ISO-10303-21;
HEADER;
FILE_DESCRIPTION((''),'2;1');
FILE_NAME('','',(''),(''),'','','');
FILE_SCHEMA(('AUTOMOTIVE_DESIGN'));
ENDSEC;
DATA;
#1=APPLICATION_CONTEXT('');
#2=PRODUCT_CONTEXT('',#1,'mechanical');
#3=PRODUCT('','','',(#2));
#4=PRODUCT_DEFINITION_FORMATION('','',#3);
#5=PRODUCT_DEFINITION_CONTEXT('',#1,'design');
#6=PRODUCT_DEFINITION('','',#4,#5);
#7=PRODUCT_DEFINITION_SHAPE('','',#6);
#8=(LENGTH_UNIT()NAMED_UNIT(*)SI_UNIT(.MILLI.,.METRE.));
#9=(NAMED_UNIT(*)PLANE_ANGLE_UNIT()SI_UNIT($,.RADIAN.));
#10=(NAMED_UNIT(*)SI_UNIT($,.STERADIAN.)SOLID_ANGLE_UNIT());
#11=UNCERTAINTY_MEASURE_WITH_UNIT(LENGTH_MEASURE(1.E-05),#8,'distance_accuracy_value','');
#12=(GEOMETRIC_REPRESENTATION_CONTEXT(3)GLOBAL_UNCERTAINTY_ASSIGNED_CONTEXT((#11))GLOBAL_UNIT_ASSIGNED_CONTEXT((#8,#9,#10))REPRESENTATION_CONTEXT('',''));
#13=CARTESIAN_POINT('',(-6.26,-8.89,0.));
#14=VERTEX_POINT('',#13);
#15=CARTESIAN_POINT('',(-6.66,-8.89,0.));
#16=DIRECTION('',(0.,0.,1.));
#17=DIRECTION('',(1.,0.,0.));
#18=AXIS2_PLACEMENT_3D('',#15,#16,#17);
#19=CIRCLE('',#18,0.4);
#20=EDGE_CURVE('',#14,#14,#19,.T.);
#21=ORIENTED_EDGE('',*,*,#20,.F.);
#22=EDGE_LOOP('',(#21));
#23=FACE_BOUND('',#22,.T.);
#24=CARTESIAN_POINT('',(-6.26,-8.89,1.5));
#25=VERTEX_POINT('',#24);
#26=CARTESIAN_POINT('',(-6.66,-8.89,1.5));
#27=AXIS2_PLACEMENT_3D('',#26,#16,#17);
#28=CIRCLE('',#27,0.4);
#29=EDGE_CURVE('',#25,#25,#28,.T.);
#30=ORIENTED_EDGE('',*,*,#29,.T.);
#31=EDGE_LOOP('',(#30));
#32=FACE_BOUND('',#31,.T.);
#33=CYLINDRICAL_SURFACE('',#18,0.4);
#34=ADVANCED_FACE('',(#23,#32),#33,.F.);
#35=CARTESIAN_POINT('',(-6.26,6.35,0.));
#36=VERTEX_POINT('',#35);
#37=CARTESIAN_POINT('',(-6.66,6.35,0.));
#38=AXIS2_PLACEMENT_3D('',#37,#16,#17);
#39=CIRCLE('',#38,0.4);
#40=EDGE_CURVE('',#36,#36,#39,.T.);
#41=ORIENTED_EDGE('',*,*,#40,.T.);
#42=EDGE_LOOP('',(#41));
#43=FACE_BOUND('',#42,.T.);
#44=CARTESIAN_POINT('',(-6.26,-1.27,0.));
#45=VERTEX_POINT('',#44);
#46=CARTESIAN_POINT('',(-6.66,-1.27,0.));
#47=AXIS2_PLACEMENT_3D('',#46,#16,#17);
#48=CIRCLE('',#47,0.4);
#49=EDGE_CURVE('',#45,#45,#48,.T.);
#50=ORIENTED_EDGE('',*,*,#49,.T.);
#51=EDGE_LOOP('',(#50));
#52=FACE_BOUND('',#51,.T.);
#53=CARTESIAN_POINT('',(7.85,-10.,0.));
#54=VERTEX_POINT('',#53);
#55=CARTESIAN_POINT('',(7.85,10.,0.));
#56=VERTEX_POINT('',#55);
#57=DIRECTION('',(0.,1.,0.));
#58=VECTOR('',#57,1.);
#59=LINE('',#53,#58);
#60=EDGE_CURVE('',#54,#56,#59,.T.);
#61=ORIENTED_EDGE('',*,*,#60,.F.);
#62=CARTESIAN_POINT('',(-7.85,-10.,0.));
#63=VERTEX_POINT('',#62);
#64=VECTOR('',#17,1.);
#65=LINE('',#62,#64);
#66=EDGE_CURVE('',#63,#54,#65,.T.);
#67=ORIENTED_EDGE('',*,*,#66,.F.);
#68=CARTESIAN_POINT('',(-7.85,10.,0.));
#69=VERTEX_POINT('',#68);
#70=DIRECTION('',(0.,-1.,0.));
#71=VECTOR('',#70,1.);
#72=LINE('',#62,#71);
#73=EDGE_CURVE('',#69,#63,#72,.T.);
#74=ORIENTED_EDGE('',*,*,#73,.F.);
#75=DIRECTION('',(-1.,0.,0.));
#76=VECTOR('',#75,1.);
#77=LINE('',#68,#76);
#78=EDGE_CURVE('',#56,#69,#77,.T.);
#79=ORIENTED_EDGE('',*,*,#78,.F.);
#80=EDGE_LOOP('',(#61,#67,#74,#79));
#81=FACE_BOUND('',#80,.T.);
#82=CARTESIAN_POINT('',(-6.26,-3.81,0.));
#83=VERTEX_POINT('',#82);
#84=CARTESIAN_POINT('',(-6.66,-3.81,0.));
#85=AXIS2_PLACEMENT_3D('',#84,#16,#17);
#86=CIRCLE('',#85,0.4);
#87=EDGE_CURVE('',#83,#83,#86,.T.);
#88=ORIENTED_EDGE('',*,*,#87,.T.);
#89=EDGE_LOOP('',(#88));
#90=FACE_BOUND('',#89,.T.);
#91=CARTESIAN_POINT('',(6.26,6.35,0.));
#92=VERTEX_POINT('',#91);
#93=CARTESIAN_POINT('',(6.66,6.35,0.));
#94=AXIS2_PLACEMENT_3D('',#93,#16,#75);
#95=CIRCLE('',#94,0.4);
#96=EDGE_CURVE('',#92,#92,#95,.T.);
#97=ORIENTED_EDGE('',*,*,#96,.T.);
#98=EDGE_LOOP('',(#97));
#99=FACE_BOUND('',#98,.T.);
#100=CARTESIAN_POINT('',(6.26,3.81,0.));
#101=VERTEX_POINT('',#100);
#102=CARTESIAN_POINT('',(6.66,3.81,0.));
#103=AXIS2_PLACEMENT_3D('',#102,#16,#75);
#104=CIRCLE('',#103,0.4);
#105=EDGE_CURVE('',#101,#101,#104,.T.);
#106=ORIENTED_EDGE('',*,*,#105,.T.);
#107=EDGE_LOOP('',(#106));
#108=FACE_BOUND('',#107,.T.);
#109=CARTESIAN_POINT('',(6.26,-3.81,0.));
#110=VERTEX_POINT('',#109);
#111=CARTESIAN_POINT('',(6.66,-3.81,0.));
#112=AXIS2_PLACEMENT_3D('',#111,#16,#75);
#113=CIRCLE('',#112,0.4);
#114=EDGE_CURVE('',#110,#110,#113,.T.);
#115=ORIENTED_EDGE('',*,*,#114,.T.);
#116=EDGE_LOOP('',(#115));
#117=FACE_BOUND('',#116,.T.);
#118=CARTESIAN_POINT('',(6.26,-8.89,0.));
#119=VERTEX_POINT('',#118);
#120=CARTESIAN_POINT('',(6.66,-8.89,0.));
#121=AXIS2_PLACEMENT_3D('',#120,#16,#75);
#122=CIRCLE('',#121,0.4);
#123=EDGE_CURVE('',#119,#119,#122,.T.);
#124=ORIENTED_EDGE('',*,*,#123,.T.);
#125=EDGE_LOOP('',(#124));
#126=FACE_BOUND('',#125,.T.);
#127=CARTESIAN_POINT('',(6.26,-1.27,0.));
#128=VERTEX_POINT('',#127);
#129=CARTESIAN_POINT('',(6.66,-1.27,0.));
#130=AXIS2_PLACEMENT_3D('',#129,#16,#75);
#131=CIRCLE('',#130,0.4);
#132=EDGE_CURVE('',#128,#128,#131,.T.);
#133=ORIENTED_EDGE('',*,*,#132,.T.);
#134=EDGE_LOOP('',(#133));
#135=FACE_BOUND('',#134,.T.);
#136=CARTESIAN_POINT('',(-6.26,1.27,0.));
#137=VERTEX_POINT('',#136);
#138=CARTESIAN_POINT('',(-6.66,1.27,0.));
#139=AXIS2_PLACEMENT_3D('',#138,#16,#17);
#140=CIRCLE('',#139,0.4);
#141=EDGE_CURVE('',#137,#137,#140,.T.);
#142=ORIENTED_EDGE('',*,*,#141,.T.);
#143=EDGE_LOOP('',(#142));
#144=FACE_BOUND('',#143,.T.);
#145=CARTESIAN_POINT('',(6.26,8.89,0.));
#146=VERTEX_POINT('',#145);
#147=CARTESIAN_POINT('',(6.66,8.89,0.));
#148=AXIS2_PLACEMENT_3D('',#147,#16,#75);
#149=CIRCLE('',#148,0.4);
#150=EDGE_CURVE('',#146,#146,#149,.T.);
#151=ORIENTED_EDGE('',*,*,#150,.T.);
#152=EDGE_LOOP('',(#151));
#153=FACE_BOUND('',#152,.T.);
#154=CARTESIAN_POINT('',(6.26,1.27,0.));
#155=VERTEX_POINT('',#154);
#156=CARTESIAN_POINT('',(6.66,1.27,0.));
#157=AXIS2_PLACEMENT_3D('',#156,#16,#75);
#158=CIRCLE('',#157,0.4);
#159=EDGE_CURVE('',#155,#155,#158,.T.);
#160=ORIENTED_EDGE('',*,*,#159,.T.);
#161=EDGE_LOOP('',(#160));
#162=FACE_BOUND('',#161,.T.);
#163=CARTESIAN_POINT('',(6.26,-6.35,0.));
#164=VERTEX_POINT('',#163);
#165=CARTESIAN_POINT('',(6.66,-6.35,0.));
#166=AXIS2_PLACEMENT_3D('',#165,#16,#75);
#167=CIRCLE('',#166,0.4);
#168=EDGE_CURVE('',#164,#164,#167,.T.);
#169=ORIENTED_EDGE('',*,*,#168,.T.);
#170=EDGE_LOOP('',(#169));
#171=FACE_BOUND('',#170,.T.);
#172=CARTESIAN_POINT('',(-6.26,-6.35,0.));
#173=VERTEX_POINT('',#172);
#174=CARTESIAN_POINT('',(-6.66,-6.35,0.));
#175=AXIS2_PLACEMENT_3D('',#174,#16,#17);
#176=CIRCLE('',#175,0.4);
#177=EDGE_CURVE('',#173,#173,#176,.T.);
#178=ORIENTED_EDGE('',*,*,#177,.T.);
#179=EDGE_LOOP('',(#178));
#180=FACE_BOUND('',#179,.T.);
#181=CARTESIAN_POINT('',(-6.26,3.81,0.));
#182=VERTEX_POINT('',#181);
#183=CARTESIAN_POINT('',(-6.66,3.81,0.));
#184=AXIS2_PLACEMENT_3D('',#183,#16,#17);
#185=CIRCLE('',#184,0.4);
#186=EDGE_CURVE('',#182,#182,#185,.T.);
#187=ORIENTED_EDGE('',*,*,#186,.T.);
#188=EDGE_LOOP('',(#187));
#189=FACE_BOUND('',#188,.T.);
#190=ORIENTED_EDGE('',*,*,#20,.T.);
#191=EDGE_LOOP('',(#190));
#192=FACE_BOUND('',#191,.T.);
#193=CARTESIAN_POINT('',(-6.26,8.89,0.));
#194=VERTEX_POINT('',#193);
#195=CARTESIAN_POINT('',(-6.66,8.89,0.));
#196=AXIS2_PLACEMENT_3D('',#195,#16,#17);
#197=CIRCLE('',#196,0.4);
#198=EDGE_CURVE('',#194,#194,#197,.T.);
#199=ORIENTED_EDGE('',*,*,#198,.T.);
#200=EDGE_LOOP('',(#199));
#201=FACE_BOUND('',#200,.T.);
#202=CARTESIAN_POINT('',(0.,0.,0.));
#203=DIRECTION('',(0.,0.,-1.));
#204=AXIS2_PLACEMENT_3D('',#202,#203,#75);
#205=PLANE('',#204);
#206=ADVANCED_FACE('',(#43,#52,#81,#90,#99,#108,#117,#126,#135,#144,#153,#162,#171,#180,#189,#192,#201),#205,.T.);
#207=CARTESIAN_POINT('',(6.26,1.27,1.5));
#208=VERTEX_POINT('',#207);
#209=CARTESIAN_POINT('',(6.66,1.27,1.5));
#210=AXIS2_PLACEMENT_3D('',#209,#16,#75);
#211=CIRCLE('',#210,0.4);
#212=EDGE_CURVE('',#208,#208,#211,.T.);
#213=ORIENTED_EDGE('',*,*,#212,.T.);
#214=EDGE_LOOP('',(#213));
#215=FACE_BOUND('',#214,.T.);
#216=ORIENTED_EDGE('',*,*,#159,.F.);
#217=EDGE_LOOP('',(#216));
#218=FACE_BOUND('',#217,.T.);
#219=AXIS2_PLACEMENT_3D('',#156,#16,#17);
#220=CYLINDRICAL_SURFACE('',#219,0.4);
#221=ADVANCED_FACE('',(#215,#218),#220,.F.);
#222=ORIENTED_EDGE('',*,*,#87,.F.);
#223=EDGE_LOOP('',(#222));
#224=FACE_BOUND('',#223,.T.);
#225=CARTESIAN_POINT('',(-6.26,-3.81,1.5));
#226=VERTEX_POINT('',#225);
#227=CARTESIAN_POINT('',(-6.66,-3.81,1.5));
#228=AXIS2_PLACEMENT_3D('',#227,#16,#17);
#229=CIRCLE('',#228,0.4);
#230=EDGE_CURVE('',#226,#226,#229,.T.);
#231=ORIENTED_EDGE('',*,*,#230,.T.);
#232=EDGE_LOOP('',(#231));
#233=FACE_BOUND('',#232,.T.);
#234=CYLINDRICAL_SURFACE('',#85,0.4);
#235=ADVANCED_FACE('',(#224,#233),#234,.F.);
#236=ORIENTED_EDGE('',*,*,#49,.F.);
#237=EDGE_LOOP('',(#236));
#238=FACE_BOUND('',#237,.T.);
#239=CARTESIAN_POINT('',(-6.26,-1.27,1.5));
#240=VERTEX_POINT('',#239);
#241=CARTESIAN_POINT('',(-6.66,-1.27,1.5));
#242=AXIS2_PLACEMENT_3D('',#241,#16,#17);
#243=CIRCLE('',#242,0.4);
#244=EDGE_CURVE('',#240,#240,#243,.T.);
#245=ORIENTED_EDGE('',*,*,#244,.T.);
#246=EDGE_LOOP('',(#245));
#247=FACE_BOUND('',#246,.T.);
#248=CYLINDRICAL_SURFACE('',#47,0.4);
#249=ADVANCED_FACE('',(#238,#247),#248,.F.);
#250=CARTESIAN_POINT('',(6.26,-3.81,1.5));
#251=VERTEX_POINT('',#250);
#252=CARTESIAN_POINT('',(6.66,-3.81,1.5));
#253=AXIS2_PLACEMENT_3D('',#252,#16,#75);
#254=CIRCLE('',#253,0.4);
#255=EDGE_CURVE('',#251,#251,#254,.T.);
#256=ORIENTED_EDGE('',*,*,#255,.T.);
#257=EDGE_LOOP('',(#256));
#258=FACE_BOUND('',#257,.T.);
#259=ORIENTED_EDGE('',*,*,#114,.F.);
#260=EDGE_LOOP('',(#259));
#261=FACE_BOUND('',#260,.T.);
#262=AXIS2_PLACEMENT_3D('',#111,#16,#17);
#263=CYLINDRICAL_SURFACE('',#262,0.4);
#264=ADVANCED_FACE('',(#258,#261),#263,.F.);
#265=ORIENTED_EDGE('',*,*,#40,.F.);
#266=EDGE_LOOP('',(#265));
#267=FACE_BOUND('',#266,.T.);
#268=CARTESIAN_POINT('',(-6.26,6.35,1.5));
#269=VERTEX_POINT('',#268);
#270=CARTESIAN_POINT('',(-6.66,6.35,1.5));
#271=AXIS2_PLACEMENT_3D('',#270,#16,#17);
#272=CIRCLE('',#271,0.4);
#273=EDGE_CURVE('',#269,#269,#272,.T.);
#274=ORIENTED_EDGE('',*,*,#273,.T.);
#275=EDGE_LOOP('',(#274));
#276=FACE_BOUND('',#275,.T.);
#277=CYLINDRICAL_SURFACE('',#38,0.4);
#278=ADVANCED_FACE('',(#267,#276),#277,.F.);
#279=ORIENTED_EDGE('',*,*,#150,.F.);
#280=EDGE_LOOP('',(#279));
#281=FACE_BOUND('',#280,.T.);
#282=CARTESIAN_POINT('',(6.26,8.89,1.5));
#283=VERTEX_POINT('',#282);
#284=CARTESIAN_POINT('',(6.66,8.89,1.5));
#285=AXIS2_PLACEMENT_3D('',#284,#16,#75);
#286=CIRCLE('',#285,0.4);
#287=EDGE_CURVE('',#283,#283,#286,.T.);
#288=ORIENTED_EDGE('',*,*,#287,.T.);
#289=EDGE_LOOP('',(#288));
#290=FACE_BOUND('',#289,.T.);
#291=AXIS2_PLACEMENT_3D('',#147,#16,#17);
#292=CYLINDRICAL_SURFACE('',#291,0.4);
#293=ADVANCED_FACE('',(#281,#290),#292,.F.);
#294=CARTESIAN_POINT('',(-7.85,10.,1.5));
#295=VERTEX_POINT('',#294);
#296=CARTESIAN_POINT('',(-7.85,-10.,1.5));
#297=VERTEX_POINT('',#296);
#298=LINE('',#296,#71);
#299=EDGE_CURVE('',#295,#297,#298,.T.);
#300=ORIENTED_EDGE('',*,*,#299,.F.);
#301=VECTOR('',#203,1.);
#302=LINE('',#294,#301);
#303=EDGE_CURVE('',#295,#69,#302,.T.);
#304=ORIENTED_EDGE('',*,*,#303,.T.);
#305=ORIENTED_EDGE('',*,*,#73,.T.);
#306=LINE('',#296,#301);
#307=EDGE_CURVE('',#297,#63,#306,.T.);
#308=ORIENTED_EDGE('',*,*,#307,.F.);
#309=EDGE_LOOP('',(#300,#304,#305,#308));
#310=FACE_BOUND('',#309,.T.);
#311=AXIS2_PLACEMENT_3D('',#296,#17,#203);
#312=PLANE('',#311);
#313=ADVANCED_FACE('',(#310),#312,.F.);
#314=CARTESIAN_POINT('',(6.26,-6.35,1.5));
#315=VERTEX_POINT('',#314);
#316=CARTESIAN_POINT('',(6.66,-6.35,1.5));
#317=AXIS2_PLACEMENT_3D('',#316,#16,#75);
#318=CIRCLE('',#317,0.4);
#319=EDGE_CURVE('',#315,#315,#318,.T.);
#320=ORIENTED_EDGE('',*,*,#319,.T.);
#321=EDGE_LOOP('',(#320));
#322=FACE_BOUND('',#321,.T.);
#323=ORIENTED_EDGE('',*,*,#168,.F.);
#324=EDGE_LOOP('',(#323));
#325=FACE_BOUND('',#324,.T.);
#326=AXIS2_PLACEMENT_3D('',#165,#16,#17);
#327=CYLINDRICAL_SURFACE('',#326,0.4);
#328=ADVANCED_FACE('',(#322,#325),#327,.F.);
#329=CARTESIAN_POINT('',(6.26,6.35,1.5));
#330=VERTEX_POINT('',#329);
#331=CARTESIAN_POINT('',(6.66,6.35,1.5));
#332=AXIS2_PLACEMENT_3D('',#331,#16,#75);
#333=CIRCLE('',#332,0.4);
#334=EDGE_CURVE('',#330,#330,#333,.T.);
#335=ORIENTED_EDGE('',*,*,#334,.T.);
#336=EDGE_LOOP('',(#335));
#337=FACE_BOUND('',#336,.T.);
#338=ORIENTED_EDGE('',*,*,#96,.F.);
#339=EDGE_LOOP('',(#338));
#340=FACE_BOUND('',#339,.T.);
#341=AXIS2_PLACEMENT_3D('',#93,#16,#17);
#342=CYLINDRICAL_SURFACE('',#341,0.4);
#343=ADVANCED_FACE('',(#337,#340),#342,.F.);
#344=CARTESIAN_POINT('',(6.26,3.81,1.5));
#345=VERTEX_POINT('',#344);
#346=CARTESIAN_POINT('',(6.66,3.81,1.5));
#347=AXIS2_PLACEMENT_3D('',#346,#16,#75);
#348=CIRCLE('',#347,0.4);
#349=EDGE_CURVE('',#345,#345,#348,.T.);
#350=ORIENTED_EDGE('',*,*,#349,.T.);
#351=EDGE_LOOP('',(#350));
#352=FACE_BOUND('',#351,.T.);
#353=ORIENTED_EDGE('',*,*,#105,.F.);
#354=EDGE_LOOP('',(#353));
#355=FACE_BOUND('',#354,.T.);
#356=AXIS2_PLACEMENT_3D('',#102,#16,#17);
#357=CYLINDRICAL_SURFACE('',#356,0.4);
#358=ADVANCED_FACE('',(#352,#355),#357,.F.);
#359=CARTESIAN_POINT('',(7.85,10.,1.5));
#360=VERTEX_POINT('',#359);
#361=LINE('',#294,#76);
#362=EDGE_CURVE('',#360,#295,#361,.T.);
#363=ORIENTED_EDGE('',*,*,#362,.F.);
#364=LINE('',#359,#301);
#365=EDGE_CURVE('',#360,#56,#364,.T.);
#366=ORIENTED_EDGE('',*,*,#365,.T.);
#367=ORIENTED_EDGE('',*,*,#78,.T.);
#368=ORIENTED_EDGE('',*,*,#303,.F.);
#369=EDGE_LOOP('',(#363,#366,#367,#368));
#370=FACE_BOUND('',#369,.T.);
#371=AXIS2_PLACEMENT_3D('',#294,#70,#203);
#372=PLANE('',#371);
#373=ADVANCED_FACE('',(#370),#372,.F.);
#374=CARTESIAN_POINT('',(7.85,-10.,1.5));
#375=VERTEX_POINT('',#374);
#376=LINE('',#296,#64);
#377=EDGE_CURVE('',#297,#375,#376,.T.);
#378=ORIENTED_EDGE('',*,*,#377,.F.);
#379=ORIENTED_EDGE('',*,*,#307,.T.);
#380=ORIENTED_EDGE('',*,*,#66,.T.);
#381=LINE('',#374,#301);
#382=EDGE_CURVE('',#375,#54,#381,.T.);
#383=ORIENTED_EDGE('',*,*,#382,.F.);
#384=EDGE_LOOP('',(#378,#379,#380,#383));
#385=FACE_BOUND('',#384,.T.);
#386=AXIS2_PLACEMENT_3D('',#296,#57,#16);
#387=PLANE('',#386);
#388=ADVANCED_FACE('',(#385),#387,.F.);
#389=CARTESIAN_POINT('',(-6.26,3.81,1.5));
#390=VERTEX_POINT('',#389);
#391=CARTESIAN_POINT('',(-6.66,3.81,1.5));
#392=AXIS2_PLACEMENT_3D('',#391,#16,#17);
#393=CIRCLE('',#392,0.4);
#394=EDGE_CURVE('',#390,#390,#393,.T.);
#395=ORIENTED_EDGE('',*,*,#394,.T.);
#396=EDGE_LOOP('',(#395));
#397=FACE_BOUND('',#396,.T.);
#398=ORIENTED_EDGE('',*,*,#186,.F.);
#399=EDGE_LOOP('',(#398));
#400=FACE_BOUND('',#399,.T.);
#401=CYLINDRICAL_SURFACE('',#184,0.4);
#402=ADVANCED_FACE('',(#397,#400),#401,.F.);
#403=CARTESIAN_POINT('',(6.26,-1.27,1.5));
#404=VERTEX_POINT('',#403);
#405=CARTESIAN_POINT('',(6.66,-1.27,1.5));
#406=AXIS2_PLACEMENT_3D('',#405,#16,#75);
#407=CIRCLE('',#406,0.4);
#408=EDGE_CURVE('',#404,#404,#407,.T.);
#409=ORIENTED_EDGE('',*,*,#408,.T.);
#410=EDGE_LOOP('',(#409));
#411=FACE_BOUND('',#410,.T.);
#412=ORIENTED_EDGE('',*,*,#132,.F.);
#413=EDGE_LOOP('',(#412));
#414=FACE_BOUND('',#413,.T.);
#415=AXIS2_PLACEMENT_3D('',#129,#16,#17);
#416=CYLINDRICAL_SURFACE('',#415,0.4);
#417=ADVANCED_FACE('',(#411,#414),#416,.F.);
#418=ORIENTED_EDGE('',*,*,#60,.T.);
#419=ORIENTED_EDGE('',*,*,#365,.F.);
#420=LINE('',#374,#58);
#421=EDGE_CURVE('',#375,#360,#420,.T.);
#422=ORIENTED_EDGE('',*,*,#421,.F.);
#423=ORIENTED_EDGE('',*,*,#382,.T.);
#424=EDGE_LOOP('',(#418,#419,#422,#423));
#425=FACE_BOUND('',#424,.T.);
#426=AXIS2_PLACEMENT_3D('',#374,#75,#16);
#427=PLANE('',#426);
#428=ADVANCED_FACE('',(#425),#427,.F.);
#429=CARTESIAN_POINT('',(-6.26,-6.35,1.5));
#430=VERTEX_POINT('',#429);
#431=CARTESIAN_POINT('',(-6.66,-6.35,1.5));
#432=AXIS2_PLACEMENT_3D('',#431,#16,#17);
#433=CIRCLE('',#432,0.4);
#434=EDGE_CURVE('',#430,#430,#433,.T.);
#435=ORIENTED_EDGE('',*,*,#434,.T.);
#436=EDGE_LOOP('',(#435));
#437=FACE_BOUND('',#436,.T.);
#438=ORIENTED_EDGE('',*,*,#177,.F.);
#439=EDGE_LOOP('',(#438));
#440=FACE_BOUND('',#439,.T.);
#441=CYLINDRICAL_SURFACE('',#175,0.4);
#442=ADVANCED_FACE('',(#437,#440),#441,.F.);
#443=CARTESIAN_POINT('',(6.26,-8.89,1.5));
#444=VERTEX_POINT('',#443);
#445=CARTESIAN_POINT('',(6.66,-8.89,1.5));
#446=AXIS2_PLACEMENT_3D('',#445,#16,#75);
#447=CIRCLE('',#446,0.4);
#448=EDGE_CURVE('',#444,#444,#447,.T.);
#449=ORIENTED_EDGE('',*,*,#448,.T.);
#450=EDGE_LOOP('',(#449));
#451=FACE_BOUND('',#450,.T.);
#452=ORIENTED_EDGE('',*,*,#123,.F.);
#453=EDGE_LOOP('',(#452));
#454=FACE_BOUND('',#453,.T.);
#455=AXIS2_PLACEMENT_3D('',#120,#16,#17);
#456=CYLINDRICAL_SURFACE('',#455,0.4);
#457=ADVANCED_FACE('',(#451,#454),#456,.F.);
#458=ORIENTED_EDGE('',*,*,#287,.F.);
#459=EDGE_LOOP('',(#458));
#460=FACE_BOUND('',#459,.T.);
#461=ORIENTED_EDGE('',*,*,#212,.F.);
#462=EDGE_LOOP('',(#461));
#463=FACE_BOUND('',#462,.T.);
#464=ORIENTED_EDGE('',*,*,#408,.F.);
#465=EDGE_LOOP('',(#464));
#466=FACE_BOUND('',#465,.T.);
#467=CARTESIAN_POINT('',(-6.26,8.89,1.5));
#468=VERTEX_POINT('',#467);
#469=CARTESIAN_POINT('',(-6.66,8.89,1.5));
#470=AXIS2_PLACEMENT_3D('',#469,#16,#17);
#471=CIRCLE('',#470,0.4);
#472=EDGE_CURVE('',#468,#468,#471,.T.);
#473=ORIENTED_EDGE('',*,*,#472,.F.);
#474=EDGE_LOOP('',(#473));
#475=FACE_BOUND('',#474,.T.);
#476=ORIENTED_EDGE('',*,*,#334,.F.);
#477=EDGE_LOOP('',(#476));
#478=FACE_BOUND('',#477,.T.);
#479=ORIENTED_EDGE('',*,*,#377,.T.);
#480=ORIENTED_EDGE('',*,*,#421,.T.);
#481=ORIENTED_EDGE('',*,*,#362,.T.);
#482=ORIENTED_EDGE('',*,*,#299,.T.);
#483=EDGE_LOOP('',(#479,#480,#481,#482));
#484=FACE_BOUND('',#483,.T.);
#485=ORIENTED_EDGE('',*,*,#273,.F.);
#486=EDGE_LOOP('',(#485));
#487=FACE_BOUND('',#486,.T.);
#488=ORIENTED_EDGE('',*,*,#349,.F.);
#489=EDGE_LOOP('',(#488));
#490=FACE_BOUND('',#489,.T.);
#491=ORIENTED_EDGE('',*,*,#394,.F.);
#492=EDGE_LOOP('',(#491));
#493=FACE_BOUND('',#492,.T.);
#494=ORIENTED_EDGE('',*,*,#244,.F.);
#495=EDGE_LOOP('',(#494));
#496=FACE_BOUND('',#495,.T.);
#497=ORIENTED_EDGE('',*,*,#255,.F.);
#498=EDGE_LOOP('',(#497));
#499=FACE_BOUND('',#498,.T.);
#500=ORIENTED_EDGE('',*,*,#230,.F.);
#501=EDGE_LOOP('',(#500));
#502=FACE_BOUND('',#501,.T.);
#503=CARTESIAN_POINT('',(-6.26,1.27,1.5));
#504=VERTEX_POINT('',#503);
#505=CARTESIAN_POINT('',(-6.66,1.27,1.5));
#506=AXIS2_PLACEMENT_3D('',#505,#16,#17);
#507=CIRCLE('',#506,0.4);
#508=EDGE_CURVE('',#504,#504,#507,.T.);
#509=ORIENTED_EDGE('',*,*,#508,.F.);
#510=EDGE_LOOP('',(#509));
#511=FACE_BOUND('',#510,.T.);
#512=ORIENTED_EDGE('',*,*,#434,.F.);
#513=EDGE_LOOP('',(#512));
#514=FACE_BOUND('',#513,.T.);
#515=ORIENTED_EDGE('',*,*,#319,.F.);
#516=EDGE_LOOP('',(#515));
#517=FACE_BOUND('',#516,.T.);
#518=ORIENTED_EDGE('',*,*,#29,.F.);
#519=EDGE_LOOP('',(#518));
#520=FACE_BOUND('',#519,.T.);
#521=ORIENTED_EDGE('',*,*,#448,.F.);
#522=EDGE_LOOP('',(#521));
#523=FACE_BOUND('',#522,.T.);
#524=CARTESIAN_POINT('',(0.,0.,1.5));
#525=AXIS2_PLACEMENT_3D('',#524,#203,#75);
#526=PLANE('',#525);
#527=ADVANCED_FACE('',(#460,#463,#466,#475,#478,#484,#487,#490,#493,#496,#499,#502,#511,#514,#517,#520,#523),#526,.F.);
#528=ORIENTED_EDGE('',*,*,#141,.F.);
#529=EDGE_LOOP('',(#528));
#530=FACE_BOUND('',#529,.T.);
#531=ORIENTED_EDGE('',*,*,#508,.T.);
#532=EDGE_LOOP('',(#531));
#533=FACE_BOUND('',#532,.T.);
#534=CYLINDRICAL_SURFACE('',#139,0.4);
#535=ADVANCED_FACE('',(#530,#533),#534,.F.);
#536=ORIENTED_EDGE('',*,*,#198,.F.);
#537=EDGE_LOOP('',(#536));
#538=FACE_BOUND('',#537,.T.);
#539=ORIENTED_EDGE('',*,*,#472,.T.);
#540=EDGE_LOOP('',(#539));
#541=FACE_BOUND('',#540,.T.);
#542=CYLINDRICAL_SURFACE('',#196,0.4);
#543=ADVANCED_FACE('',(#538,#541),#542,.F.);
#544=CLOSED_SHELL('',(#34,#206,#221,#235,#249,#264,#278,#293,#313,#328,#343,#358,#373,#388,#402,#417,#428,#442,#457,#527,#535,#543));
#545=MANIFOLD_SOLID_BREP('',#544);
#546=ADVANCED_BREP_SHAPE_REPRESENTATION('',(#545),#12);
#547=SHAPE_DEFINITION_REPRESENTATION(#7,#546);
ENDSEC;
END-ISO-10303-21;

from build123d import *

# Parameters (mm, degrees)
SCHIZZO1_W                   = 15.7
SCHIZZO1_H                   = 20
ESTRUSIONE_ESTRUSIONE1_DEPTH = 1.5
SCHIZZO2_R                   = 0.4
TAGLIO_ESTRUSIONE1_DEPTH     = 1.5


with BuildPart() as part:
    # Schizzo1 → Estrusione-Estrusione1 (new body)
    with BuildSketch(Plane.XY):
        Rectangle(SCHIZZO1_W, SCHIZZO1_H)
    extrude(amount=ESTRUSIONE_ESTRUSIONE1_DEPTH)

    # Schizzo2 → Taglio-Estrusione1 (cut)
    with BuildSketch(Plane.XY.offset(1.5)):
        with Locations((-6.66, 8.89)):
            Circle(SCHIZZO2_R)
        with Locations((-6.66, 6.35)):
            Circle(SCHIZZO2_R)
        with Locations((-6.66, 3.81)):
            Circle(SCHIZZO2_R)
        with Locations((-6.66, 1.27)):
            Circle(SCHIZZO2_R)
        with Locations((-6.66, -1.27)):
            Circle(SCHIZZO2_R)
        with Locations((-6.66, -3.81)):
            Circle(SCHIZZO2_R)
        with Locations((-6.66, -6.35)):
            Circle(SCHIZZO2_R)
        with Locations((-6.66, -8.89)):
            Circle(SCHIZZO2_R)
        with Locations((6.66, -8.89)):
            Circle(SCHIZZO2_R)
        with Locations((6.66, -6.35)):
            Circle(SCHIZZO2_R)
        with Locations((6.66, -3.81)):
            Circle(SCHIZZO2_R)
        with Locations((6.66, -1.27)):
            Circle(SCHIZZO2_R)
        with Locations((6.66, 1.27)):
            Circle(SCHIZZO2_R)
        with Locations((6.66, 3.81)):
            Circle(SCHIZZO2_R)
        with Locations((6.66, 6.35)):
            Circle(SCHIZZO2_R)
        with Locations((6.66, 8.89)):
            Circle(SCHIZZO2_R)
    extrude(amount=-TAGLIO_ESTRUSIONE1_DEPTH, mode=Mode.SUBTRACT)


solid = part.part
